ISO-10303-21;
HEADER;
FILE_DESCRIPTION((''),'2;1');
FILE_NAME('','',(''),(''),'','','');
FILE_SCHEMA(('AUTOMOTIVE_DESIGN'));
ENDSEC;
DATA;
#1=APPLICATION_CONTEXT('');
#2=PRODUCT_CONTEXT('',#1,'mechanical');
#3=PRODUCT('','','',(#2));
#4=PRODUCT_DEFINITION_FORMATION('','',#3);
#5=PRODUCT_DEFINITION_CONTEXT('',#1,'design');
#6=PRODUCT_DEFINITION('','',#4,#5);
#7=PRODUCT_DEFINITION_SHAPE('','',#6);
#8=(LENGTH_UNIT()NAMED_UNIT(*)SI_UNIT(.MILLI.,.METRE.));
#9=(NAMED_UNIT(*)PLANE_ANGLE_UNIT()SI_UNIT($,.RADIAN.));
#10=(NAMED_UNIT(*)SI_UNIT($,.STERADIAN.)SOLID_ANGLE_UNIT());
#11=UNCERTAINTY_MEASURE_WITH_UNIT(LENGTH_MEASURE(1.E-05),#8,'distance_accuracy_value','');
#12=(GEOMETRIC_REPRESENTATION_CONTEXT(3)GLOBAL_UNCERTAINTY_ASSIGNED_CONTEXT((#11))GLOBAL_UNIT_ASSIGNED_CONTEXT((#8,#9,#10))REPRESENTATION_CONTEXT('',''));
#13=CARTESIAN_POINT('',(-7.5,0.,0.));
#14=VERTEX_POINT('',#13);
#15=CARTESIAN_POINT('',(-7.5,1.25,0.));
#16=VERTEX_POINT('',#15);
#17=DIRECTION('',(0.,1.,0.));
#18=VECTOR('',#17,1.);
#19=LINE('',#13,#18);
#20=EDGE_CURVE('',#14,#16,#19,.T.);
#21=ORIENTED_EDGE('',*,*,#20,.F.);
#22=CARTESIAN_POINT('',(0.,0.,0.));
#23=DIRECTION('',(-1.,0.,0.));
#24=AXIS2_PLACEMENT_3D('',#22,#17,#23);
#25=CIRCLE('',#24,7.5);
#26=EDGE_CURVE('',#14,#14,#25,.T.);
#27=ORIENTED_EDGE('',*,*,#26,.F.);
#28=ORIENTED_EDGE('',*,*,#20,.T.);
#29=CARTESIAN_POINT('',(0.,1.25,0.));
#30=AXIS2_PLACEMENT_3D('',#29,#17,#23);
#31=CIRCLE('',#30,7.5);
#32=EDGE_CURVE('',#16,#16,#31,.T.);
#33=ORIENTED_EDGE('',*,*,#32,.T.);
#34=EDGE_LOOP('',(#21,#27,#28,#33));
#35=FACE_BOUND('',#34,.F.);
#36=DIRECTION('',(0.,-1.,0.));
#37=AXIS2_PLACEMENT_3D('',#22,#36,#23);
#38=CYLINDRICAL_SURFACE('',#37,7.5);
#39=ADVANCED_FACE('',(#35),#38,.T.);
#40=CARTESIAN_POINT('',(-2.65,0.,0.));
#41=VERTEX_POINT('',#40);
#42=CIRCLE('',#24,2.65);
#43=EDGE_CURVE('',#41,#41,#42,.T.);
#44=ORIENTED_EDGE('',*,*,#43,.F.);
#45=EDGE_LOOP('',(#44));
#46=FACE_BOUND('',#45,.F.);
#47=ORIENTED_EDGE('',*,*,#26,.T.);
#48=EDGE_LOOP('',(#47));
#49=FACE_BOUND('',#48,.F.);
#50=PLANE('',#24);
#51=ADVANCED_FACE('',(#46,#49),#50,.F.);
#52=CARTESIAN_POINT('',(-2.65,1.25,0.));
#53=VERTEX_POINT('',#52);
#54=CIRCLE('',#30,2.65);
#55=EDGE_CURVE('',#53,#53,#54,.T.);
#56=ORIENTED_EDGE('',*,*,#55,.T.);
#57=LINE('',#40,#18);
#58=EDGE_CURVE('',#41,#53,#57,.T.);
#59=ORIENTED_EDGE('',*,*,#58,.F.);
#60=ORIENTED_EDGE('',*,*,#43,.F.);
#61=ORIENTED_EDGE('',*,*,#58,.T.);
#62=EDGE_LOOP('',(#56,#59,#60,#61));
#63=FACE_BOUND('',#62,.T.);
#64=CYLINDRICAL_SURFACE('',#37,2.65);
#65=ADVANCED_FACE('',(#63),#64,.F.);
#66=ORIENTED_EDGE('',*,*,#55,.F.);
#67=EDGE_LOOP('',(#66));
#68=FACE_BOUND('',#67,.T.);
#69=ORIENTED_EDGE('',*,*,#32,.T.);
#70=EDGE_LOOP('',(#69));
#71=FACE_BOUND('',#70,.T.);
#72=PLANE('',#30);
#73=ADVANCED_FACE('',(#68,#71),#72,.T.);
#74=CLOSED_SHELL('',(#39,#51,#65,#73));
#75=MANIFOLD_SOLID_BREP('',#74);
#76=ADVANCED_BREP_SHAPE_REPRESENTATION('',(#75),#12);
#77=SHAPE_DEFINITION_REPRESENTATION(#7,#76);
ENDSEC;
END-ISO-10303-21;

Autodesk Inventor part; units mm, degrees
ref_plane "YZ Plane" through (0, 0, 0) normal (1, 0, 0) x (0, 1, 0)
ref_plane "XZ Plane" through (0, 0, 0) normal (0, 1, 0) x (-1, 0, 0)
ref_plane "XY Plane" through (0, 0, 0) normal (0, 0, 1) x (1, 0, 0)
sketch "Szkic1" plane through (0, 0, 0) normal (0, 1, 0) x (-1, 0, 0)
  circle A0 centre (0, 0) radius 2.65
  circle A1 centre (0, 0) radius 7.5
  dimension "d0" = 5.3
  dimension "d1" = 15
extrude "Wyciągnięcie proste1" add sketch "Szkic1" along normal blind 1.25
properties part number "M5_pad"
